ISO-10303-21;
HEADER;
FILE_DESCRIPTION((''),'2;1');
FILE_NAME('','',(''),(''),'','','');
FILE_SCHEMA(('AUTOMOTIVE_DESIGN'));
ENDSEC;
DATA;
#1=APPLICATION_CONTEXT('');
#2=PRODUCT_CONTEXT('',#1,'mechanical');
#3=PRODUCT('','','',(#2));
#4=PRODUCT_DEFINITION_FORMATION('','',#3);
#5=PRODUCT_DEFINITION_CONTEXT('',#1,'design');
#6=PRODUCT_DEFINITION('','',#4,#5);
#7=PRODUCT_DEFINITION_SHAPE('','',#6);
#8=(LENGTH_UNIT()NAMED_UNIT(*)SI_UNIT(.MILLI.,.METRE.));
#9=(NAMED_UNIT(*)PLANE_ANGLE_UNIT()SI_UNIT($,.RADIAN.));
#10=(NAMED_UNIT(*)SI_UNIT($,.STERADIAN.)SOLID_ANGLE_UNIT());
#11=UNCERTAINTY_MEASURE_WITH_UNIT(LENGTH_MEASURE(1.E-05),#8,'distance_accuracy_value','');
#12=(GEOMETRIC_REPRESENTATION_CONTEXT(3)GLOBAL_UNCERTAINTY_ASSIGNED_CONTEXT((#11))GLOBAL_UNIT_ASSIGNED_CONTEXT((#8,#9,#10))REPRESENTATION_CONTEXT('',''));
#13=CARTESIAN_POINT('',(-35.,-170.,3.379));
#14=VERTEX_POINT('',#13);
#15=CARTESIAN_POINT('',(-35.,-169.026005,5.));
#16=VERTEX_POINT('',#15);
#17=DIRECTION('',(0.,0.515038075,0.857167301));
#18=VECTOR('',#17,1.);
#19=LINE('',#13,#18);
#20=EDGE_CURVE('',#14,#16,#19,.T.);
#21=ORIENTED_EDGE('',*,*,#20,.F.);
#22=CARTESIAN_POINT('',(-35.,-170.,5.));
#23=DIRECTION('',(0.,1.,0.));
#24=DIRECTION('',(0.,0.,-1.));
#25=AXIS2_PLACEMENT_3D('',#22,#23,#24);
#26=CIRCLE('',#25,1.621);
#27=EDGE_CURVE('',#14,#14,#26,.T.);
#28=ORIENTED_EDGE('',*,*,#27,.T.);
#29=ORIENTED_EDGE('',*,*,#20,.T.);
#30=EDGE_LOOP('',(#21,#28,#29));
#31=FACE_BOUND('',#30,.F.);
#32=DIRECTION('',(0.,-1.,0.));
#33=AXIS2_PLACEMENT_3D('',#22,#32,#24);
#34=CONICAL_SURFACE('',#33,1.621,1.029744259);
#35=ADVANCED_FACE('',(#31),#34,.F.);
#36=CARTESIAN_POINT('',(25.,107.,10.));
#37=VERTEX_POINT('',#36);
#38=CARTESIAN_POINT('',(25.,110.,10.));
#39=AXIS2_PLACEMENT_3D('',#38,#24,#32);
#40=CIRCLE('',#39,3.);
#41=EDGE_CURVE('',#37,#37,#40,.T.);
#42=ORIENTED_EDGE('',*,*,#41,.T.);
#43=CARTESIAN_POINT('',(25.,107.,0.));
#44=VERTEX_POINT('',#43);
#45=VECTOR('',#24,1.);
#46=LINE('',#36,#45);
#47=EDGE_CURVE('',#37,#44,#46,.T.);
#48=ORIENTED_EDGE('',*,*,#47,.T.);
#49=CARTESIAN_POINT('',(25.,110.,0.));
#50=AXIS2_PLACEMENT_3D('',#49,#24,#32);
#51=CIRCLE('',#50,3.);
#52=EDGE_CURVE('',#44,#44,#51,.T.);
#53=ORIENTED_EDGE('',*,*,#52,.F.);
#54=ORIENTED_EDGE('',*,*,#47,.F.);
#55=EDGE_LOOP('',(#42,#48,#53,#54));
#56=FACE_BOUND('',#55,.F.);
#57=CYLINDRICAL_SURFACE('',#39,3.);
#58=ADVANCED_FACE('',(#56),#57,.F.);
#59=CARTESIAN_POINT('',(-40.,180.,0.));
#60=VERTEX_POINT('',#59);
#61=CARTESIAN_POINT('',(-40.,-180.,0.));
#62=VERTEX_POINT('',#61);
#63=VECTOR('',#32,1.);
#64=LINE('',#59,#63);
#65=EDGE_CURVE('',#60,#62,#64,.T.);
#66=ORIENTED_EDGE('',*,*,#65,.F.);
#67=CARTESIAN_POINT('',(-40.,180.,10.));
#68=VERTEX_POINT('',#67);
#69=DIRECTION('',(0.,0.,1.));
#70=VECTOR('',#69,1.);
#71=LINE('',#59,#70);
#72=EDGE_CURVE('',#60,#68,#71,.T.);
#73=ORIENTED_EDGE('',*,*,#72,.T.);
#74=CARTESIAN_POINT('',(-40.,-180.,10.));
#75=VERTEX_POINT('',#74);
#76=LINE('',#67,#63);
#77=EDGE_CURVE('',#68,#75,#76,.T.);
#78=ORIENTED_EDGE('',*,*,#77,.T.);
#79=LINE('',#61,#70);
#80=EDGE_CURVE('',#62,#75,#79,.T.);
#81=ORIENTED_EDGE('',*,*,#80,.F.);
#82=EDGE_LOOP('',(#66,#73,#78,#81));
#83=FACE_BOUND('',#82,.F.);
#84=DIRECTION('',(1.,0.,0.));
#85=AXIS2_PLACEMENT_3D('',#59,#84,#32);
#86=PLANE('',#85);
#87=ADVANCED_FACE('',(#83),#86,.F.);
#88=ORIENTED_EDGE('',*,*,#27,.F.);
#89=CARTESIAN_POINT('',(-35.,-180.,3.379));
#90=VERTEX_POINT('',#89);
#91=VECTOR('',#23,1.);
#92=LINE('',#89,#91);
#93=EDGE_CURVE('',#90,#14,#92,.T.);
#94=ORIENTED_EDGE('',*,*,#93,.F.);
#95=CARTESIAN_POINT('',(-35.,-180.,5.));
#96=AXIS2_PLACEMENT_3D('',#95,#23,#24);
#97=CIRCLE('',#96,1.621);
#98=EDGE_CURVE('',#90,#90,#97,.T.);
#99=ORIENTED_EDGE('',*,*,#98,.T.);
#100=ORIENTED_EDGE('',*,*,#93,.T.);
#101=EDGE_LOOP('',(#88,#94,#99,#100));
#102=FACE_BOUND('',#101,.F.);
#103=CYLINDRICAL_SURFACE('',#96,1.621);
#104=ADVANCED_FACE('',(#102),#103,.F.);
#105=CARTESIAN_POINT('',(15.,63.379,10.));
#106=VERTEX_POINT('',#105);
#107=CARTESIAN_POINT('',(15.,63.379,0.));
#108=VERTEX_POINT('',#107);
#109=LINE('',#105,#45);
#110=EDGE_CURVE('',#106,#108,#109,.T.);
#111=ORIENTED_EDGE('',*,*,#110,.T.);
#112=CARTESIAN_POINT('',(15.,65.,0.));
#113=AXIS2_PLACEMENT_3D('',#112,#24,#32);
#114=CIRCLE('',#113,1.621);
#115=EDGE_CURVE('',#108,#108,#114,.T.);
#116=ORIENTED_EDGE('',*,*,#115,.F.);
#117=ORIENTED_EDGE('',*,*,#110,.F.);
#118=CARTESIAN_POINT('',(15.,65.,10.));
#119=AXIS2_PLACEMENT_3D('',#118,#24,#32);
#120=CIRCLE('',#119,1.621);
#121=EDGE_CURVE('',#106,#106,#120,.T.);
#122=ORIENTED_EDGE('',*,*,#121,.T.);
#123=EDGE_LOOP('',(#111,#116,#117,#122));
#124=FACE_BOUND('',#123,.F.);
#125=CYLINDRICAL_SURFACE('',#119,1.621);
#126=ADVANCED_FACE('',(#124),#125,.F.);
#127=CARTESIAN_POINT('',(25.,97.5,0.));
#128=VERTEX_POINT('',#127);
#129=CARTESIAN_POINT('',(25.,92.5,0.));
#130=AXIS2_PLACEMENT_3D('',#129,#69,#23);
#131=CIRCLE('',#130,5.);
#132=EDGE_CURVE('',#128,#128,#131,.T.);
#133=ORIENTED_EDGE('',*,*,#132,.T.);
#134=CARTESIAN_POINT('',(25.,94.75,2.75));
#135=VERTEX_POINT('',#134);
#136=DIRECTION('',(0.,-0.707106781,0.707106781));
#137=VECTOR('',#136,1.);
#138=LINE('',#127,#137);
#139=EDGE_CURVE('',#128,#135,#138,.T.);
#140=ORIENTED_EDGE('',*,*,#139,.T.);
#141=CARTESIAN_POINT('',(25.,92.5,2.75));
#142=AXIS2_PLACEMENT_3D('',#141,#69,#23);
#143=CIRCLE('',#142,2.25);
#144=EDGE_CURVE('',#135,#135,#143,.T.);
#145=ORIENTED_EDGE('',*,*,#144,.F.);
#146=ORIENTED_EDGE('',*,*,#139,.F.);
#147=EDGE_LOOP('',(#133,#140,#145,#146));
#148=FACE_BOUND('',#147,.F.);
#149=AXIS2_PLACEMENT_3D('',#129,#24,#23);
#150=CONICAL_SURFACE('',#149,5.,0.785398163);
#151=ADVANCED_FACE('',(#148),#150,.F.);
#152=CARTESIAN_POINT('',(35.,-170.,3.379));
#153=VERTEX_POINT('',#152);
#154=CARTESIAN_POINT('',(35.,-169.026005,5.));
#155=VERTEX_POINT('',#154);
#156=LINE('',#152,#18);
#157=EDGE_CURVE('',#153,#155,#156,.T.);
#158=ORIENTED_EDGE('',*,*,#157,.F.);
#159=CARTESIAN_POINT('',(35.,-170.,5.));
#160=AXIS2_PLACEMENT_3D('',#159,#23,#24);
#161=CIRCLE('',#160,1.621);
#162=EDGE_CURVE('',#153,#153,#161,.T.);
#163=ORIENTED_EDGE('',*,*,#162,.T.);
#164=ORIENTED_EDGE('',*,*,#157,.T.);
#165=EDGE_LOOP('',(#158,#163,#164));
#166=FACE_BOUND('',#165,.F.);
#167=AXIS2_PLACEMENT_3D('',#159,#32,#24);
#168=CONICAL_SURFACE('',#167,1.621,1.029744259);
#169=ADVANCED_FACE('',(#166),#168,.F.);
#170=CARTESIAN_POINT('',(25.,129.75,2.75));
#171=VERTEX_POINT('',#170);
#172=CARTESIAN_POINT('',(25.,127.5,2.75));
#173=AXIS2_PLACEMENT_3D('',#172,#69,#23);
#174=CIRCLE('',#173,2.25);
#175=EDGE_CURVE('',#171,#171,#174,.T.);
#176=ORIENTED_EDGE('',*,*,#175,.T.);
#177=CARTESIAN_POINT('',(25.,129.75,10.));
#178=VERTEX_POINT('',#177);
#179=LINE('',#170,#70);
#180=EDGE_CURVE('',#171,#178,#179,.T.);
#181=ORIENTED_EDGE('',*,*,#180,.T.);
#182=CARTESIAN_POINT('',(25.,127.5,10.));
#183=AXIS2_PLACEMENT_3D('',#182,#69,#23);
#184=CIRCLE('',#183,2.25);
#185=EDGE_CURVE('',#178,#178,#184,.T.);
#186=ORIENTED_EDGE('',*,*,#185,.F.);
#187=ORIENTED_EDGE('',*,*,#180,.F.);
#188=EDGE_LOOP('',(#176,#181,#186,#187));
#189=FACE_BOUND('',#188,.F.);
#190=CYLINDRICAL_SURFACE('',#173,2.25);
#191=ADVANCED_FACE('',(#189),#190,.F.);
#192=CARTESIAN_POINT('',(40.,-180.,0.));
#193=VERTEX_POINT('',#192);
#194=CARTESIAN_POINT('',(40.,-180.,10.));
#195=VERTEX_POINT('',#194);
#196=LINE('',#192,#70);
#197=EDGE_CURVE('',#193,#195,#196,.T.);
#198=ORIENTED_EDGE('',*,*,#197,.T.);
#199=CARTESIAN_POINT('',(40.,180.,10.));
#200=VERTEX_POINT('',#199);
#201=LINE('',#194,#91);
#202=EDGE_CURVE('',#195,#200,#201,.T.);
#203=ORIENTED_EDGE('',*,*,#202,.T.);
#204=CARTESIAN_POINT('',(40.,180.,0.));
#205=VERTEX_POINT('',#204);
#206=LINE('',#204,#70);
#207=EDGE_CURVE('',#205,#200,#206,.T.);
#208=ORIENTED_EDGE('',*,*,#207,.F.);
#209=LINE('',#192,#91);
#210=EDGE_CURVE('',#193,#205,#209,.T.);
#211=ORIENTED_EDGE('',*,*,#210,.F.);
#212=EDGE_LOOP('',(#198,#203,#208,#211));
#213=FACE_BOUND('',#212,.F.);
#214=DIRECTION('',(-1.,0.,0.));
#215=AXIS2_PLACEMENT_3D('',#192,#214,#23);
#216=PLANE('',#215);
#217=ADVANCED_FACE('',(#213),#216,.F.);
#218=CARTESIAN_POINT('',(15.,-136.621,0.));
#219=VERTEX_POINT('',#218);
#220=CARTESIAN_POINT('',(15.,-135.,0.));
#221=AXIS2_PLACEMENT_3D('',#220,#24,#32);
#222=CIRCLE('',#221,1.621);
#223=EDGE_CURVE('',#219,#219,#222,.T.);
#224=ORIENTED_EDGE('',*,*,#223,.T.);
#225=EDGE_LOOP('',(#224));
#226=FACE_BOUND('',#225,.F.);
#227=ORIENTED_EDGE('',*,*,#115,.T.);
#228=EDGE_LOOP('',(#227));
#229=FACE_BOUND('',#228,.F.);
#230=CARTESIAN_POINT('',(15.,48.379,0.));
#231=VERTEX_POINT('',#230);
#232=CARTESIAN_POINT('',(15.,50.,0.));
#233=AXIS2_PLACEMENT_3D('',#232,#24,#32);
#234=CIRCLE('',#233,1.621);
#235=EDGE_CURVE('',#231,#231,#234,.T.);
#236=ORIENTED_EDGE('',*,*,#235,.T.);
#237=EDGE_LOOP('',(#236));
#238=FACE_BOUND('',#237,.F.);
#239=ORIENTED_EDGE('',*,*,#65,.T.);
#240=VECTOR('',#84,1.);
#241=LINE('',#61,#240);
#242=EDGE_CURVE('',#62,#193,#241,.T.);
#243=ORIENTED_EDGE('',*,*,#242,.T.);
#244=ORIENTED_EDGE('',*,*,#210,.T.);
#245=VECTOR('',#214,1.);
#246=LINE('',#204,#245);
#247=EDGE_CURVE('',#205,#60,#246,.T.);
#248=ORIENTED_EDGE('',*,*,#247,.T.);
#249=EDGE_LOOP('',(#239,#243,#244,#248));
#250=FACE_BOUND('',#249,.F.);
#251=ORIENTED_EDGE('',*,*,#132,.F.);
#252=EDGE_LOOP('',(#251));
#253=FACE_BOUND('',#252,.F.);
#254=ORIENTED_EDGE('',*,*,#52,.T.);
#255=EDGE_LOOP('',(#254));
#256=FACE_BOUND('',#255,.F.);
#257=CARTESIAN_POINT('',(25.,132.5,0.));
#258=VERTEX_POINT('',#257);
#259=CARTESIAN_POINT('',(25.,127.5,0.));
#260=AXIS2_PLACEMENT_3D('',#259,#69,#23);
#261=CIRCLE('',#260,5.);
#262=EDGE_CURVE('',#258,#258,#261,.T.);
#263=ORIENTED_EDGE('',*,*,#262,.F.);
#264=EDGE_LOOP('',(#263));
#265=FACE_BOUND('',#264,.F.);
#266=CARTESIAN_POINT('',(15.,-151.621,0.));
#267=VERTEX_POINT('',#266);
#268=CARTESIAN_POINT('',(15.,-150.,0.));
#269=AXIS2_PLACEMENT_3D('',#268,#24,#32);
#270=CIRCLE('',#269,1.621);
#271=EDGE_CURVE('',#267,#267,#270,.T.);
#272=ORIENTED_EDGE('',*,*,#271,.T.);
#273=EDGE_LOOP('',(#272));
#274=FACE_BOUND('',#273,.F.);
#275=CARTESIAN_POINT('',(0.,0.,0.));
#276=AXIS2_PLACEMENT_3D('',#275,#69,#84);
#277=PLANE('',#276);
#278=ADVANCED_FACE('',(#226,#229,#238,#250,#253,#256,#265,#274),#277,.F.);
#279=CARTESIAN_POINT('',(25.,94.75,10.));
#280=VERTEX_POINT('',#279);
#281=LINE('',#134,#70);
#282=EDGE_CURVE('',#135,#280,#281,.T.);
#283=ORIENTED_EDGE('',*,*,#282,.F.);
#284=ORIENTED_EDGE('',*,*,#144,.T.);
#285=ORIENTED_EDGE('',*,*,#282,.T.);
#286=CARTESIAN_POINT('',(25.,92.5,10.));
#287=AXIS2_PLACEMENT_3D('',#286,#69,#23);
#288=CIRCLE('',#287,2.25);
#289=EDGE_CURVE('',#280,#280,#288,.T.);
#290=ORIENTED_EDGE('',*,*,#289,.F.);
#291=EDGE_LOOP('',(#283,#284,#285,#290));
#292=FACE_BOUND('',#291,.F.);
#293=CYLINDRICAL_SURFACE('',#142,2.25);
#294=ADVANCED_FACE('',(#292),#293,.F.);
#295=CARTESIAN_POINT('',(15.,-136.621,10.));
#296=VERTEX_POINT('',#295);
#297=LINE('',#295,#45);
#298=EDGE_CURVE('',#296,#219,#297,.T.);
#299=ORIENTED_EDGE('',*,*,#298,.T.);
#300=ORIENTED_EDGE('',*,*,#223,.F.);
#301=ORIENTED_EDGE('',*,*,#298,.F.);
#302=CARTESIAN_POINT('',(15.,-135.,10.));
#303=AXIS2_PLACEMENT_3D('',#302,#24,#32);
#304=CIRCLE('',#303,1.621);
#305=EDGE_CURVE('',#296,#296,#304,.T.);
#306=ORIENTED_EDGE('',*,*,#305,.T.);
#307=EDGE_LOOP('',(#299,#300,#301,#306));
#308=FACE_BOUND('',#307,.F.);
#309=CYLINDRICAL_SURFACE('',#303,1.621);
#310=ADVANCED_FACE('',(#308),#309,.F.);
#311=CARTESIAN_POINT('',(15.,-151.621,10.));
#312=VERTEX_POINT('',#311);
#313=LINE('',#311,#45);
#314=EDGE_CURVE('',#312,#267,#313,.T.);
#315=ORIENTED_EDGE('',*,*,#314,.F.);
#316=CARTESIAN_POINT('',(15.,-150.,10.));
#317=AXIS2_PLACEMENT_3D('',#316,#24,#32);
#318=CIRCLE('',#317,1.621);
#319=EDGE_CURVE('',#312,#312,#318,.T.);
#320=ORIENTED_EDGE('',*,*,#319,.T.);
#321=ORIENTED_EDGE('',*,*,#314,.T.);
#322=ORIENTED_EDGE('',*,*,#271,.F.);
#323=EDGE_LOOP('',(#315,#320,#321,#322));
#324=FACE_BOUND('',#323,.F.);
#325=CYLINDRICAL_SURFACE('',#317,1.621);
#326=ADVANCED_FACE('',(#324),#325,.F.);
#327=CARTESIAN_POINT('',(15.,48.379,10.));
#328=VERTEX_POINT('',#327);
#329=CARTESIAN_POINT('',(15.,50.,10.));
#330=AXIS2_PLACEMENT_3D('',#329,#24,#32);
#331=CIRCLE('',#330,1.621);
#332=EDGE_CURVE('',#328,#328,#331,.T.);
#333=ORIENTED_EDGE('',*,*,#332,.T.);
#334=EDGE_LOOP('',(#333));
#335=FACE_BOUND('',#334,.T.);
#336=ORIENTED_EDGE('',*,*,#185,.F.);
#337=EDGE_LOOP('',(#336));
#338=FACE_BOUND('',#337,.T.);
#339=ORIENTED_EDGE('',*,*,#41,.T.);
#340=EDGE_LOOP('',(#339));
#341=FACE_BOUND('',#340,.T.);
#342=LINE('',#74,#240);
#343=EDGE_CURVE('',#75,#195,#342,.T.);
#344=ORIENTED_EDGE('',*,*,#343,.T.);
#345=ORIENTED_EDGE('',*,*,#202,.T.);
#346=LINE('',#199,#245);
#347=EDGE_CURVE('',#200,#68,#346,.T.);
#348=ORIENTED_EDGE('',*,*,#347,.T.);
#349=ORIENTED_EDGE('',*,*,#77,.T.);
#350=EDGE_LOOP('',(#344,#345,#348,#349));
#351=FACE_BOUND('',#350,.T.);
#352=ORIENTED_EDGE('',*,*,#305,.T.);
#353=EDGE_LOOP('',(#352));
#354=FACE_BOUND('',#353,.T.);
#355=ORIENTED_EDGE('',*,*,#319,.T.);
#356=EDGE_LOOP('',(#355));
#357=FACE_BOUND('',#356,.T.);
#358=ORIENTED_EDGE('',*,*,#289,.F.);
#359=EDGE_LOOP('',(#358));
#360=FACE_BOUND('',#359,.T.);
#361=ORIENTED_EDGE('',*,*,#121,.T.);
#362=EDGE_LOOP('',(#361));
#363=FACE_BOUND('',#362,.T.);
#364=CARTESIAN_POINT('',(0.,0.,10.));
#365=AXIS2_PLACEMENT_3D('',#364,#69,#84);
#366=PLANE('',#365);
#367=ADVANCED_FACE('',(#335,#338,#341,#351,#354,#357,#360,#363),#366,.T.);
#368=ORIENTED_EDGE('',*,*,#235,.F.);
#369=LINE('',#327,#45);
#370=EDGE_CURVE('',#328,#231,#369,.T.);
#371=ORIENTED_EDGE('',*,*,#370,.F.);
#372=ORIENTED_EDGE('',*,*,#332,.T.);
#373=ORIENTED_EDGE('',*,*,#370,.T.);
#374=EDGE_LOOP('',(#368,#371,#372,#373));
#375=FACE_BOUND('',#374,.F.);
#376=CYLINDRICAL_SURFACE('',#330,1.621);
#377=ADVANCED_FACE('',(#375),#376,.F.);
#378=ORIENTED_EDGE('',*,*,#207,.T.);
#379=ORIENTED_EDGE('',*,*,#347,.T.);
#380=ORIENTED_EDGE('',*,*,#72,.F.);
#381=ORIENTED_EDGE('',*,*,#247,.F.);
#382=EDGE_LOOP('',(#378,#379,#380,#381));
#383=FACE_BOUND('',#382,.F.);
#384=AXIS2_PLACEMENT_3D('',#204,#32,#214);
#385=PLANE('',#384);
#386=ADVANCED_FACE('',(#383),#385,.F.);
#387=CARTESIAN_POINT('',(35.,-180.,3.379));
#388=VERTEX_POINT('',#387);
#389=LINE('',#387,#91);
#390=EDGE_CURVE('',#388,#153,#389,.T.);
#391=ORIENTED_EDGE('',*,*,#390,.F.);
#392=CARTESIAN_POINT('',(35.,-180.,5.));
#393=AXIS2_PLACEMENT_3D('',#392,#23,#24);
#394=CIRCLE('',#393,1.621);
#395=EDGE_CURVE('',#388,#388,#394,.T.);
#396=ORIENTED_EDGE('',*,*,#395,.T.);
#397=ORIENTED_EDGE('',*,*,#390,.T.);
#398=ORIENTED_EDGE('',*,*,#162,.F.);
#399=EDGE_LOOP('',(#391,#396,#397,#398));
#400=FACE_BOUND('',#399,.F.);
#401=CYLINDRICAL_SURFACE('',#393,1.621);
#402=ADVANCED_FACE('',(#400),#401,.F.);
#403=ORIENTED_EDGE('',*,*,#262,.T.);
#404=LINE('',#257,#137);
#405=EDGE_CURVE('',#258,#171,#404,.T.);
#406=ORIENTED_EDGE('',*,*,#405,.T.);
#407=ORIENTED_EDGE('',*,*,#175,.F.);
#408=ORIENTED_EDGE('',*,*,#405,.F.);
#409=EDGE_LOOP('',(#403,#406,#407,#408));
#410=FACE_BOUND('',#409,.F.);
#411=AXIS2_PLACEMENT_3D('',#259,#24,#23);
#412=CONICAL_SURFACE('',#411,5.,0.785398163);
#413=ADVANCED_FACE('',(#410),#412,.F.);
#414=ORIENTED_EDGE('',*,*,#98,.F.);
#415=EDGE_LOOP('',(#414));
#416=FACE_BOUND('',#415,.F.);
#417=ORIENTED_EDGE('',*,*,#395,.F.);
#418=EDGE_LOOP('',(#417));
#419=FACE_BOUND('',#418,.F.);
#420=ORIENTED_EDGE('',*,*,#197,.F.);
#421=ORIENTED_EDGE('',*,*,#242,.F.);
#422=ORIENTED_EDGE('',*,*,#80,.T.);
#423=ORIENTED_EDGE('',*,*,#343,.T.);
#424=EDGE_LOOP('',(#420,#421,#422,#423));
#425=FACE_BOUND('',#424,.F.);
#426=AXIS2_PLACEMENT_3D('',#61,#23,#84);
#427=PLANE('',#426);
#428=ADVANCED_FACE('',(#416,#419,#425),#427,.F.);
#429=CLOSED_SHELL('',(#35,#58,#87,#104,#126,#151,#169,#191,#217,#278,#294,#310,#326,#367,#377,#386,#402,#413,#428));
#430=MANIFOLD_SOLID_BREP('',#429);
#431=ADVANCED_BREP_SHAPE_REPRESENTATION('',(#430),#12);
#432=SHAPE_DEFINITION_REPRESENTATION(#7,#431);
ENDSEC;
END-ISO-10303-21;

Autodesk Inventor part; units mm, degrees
ref_plane "YZ Plane" through (0, 0, 0) normal (1, 0, 0) x (0, 1, 0)
ref_plane "XZ Plane" through (0, 0, 0) normal (0, 1, 0) x (-1, 0, 0)
ref_plane "XY Plane" through (0, 0, 0) normal (0, 0, 1) x (1, 0, 0)
sketch "Skizze1" plane through (0, 0, 0) normal (0, 0, 1) x (1, 0, 0)
  line L0 (40, 180) -> (-40, 180)
  line L1 (-40, 180) -> (-40, -180)
  line L2 (-40, -180) -> (40, -180)
  line L3 (40, -180) -> (40, 180)
  line L4 (40, 180) -> (-40, -180) construction
  line L5 (-40, 180) -> (40, -180) construction
  point P0 (0, 0)
  dimension "d0" = 80
  dimension "d1" = 360
extrude "Extrusion1" add sketch "Skizze1" along normal blind 10
sketch "Skizze2" plane through (0, 0, 10) normal (0, 0, 1) x (1, 0, 0)
  line L0 (40, 180) -> (-40, 180) projected
  line L1 (40, -180) -> (40, 180) projected
  point P0 (0, 0)
  point P1 (25, 110)
  dimension "d16" = 15
  dimension "d17" = 70
hole "Bohrung2" at (25, 110, 10) direction (0, 0, -1) diameter 6 end through all
sketch "Skizze3" plane through (0, 0, 0) normal (0, 0, -1) x (-1, 0, 0)
  circle A0 centre (-25, 110) radius 3 projected
  line L0 (40, 180) -> (40, -180) projected
  line L1 (-25, 92.5) -> (-25, 127.5) construction
  point P0 (0, 0)
  dimension "d25" = 35
hole "Bohrung3" at (25, 92.5, 0) at (25, 127.5, 0) direction (0, 0, 1) diameter 4.5 end through all countersink diameter 10 countersink angle 90 clearance for "Innensechskant-Senkkopfschraube DIN EN ISO 10642" size "M4" standard "DIN"
sketch "Skizze4" plane through (0, 0, 10) normal (0, 0, 1) x (1, 0, 0)
  line L0 (-40, 180) -> (-40, -180) projected
  line L1 (-40, -180) -> (40, -180) projected
  line L2 (40, -180) -> (40, 180) projected
  line L3 (15, -135) -> (15, -150) construction
  point P0 (0, 0)
  dimension "d34" = 15
  dimension "d35" = 30
  dimension "d36" = 55
hole "Bohrung4" at (15, -150, 10) at (15, -135, 10) direction (0, 0, -1) diameter 3.242 end through all thread size "M4x0.7" class "6H" standard "ISO Metric profile"
pattern_linear "Rechteckige Anordnung2" count 2 spacing 200 along (0, 1, 0) of "Bohrung4"
sketch "Skizze5" plane through (-40, -180, 0) normal (0, -1, 0) x (1, 0, 0)
  line L0 (0, 0) -> (80, 0) projected
  line L1 (0, 0) -> (0, 10) projected
  line L2 (5, 5) -> (75, 5)
  point P0 (40, 0)
  point P1 (40, 5)
  point P2 (40, 0)
  point P3 (0, 5)
  dimension "d47" = 5
hole "Bohrung5" at (-35, -180, 5) at (35, -180, 5) direction (0, 1, 0) diameter 3.242 depth 10 tip angle 118 thread size "M4x0.7" class "6H" standard "ISO Metric profile"
properties part number "Tunel_SidePanel" material "Polycarbonat, klar"
